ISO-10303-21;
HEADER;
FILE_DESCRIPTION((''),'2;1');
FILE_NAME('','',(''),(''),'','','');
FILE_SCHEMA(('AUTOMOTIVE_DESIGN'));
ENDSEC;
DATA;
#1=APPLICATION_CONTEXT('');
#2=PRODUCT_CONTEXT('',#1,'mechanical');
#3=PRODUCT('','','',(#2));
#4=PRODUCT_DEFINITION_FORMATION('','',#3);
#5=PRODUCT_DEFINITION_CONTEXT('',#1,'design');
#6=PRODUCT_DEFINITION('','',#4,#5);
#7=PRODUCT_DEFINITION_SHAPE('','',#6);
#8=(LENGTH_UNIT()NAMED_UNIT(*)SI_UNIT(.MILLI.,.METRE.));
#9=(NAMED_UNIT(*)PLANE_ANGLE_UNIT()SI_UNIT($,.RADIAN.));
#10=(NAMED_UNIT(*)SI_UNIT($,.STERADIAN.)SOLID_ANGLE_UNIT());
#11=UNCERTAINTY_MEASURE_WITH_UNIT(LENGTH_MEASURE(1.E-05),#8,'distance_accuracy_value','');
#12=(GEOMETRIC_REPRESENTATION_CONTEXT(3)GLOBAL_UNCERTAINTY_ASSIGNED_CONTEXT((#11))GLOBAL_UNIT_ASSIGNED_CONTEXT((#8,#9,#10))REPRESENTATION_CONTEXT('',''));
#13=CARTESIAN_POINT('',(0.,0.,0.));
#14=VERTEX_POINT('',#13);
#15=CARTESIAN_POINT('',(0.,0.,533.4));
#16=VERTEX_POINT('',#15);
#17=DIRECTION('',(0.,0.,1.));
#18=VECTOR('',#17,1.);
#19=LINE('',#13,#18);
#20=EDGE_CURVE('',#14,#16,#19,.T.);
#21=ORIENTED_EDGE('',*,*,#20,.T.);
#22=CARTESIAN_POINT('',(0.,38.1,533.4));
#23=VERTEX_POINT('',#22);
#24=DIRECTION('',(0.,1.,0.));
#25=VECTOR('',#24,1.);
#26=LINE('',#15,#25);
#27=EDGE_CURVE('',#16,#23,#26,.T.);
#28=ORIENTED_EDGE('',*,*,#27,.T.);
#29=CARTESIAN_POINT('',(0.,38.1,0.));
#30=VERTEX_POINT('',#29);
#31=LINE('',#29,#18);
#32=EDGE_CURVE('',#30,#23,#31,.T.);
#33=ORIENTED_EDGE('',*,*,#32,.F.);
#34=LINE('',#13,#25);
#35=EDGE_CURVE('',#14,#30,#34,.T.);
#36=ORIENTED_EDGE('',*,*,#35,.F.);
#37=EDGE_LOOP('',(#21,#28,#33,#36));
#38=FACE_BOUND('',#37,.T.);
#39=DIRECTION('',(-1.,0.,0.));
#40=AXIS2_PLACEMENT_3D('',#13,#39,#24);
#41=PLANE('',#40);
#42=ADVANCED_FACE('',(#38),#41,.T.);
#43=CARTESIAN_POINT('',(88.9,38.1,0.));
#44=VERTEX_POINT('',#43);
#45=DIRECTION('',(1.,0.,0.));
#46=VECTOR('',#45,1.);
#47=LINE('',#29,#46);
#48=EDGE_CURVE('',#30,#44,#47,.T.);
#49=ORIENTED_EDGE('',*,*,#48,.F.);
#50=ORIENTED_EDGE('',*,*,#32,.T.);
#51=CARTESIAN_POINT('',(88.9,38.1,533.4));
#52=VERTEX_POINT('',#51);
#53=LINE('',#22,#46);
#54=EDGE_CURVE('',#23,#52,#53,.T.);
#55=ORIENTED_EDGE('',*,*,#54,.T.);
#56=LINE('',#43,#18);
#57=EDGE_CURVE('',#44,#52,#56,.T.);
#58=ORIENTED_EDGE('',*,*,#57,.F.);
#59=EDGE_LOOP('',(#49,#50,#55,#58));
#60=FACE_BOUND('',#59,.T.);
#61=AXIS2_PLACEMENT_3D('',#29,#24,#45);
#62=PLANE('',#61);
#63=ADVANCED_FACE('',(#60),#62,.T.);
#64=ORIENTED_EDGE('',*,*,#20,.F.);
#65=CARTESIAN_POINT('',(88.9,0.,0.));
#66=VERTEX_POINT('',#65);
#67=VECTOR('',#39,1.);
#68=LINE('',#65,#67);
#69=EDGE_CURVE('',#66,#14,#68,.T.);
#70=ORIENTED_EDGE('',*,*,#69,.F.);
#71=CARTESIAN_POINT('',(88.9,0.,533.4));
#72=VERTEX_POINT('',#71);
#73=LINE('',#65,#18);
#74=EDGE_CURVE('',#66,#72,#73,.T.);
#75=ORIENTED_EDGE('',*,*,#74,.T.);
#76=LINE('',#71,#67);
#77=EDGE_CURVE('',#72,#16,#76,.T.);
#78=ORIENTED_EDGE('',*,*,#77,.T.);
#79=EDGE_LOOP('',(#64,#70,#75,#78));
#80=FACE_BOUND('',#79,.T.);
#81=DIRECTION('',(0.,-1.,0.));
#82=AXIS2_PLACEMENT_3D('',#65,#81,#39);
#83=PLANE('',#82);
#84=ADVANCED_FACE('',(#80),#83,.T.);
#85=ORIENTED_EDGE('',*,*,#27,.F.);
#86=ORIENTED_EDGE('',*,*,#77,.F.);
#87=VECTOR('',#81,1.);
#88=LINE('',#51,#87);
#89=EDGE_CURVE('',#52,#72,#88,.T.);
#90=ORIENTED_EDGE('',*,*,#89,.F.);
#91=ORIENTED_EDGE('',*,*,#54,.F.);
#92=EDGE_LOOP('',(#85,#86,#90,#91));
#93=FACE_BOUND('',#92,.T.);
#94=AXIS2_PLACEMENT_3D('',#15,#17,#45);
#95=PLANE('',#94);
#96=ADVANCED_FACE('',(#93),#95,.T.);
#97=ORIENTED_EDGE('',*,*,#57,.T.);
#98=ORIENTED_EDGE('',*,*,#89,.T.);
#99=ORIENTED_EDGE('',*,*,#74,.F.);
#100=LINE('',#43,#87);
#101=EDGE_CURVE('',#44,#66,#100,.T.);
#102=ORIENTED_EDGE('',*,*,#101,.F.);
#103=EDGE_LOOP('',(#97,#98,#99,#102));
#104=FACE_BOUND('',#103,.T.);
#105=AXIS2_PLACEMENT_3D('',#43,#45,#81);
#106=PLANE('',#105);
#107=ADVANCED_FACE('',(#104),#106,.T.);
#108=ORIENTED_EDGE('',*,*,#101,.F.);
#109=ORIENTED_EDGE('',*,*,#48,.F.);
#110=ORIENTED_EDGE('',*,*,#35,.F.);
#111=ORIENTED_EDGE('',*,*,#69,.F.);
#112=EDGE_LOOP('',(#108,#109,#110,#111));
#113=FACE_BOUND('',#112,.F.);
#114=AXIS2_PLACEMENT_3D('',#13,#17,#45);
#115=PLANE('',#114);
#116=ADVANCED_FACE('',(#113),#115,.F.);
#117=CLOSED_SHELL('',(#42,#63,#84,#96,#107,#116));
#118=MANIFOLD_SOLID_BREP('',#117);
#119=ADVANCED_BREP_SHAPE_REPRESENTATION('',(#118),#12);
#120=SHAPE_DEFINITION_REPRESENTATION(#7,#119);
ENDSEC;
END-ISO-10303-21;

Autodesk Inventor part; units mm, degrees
ref_plane "YZ Plane" through (0, 0, 0) normal (1, 0, 0) x (0, 1, 0)
ref_plane "XZ Plane" through (0, 0, 0) normal (0, 1, 0) x (-1, 0, 0)
ref_plane "XY Plane" through (0, 0, 0) normal (0, 0, 1) x (1, 0, 0)
sketch "Sketch1" plane through (0, 0, 0) normal (0, 0, 1) x (1, 0, 0)
  line L0 (0, 0) -> (0, 38.1)
  line L1 (0, 38.1) -> (88.9, 38.1)
  line L2 (88.9, 38.1) -> (88.9, 0)
  line L3 (88.9, 0) -> (0, 0)
  dimension "d0" = 38.1
  dimension "d1" = 88.9
extrude "Extrusion1" add sketch "Sketch1" along normal blind 533.4
properties part number "21in 2x4" material "Wood (Birch)"
